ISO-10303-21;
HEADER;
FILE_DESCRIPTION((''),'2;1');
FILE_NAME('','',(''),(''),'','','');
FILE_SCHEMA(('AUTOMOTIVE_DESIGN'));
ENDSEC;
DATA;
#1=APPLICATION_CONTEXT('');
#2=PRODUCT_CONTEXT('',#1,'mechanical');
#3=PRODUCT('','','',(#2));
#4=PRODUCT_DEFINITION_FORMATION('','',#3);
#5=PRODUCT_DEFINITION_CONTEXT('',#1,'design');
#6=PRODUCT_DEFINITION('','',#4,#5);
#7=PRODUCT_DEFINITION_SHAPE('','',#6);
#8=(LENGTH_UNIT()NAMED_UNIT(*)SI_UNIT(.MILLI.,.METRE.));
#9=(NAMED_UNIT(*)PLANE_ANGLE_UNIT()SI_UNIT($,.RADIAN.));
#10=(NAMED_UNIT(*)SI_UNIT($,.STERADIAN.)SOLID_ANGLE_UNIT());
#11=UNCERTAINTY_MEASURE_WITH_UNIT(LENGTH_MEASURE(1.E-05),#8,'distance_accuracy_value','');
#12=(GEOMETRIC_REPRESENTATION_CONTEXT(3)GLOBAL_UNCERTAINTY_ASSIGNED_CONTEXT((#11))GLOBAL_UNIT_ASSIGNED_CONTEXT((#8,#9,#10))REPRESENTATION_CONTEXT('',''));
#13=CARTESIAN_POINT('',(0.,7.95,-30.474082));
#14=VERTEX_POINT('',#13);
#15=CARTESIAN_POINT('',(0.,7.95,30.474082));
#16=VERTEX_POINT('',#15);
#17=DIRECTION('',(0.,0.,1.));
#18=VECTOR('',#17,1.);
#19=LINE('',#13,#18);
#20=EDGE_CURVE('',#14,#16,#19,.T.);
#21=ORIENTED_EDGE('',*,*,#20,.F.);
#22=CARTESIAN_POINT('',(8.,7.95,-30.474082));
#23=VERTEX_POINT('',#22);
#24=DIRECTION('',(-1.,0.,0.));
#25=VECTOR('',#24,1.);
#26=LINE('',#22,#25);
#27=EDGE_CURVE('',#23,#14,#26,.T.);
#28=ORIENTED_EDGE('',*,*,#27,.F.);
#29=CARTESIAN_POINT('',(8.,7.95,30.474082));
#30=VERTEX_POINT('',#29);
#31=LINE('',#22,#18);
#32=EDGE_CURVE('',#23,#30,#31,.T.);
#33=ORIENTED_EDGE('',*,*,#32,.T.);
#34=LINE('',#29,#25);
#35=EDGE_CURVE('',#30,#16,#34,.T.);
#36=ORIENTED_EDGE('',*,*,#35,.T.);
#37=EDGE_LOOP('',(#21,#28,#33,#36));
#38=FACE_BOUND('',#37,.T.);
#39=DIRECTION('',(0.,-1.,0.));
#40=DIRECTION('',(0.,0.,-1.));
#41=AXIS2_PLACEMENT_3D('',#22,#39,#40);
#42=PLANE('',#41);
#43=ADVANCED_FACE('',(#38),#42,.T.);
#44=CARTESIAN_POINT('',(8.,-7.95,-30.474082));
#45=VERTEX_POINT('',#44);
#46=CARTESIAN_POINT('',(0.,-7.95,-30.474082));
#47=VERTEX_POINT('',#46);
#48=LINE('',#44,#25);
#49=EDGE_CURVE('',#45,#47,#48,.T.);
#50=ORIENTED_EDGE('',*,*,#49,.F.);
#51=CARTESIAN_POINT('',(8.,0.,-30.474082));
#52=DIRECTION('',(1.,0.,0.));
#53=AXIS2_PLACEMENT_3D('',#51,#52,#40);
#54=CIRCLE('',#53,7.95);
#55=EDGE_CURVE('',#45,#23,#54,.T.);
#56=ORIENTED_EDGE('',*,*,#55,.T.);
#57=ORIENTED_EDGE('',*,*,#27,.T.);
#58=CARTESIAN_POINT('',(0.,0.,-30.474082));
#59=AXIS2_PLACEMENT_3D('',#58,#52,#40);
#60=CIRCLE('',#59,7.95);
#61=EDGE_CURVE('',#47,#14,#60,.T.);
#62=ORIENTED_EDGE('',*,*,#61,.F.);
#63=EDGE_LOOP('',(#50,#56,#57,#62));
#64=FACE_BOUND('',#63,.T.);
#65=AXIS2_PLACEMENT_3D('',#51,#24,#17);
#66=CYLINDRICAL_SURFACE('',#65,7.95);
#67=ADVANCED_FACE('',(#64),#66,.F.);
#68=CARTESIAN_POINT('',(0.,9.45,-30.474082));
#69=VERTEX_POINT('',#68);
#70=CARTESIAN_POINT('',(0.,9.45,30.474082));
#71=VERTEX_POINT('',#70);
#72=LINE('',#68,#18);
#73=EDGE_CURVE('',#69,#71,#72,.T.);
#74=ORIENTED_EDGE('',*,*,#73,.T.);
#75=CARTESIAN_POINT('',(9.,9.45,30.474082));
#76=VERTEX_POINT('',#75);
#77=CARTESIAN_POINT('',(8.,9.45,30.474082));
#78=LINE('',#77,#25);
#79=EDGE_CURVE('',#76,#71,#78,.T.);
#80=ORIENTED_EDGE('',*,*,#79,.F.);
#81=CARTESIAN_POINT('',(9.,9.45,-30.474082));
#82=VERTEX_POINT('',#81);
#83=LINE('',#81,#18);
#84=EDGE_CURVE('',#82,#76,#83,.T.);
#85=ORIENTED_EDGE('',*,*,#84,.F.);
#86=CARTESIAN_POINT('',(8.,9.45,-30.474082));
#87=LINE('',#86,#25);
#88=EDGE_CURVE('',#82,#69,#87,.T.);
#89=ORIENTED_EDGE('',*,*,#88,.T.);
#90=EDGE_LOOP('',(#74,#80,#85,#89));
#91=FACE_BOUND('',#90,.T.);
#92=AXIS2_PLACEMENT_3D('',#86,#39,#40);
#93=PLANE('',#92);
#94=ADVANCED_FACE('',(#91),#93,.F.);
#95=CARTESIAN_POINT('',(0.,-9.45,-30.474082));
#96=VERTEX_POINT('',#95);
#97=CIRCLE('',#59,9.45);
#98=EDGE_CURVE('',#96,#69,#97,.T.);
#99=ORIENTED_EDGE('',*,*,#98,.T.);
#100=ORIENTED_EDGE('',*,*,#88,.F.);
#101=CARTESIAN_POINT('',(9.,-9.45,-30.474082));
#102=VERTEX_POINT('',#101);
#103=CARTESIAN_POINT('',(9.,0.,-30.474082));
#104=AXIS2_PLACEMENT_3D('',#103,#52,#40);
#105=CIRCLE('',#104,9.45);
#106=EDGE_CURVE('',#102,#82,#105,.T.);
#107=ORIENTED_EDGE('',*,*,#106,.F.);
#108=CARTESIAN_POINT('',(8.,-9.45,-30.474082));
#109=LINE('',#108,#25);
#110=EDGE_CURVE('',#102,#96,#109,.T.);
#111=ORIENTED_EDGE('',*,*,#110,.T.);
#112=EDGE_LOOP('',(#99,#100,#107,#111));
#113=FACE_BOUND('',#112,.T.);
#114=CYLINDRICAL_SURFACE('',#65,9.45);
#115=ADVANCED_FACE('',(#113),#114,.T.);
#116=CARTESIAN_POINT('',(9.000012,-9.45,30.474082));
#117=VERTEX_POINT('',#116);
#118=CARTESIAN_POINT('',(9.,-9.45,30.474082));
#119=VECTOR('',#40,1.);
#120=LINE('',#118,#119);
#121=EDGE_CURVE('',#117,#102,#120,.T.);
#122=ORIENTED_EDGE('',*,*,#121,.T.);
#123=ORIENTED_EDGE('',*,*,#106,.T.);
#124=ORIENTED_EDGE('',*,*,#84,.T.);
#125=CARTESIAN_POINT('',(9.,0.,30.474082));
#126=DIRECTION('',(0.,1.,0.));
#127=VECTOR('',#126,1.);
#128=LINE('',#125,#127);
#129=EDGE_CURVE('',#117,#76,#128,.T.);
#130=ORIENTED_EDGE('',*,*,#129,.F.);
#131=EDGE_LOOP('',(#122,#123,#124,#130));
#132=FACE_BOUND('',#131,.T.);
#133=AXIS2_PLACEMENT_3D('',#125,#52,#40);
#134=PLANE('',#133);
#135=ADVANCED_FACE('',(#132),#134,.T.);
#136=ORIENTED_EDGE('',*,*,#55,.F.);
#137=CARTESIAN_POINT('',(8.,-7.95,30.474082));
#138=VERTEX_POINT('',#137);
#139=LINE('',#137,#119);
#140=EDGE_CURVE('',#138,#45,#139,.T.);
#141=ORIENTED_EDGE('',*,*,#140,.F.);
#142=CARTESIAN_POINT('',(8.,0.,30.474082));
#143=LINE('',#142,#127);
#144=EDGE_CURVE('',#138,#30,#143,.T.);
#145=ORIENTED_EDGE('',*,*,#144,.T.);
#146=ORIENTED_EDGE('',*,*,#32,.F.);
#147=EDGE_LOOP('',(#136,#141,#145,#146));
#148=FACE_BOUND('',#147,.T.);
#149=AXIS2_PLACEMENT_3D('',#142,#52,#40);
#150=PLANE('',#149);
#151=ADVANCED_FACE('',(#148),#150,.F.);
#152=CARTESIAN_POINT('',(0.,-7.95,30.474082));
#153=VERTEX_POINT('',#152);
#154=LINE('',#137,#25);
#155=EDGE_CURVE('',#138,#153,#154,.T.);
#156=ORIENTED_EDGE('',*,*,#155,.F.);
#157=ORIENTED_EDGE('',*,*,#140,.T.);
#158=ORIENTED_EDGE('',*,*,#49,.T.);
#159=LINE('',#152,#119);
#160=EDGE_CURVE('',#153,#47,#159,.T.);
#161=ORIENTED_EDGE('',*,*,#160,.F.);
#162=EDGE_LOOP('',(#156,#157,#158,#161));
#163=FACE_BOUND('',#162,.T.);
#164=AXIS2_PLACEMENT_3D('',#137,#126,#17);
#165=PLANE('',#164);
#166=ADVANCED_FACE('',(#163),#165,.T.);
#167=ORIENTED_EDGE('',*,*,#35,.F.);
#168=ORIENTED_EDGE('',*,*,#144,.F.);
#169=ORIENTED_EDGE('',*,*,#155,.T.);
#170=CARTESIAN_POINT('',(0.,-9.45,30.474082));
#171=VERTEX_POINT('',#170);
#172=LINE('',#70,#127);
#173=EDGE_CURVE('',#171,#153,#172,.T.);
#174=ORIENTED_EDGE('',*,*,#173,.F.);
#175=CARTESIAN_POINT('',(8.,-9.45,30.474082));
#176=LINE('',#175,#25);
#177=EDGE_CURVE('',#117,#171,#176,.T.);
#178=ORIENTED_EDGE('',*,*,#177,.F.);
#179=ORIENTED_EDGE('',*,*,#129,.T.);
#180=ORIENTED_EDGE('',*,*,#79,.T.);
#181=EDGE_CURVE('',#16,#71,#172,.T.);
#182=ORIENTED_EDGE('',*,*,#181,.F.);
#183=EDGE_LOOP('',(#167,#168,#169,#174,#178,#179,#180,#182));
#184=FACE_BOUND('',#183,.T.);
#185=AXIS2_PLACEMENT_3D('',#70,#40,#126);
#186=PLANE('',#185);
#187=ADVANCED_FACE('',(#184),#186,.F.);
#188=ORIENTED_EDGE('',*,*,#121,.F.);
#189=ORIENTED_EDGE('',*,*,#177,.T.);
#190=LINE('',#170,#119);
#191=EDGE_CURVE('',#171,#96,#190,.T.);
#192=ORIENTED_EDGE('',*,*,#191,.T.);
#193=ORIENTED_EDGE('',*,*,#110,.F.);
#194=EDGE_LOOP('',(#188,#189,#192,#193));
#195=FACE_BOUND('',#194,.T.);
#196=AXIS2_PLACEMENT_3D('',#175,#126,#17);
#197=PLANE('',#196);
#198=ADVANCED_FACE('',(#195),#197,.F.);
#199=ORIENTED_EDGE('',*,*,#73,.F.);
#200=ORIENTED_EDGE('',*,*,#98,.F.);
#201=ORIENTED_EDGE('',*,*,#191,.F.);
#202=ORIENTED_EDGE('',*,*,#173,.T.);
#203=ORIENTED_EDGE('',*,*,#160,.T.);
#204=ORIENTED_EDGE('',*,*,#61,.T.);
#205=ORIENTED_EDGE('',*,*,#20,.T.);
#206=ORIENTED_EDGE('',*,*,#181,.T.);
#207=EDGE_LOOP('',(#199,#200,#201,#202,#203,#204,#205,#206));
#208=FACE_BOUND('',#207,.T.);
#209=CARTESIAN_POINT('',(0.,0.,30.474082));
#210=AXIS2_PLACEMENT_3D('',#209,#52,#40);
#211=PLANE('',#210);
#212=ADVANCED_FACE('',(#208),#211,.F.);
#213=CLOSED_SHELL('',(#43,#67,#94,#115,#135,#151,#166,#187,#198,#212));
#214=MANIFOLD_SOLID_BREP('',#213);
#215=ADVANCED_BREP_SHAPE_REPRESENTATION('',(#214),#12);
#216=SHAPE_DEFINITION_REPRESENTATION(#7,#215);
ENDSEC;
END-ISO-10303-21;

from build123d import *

# Parameters (mm, degrees)
EXTRUDE_1_DEPTH          = 8
EXTRUDE_2_DEPTH          = 1
CUT_EXTRUDE_1_DEPTH      = 43.00279577
CUT_EXTRUDE_1_DEPTH_BACK = 43.00279577


with BuildPart() as part:
    # Эскиз1 → Бобышка-Вытянуть1 (new body)
    with BuildSketch(Plane(origin=(0, 0, 0), x_dir=(0, 0, -1), z_dir=(1, 0, 0))):
        with BuildLine():
            Line((-30.474082362, -9.45), (30.474082362, -9.45))
            ThreePointArc((30.474082362, -9.45), (39.924082362, 0), (30.474082362, 9.45))
            Line((30.474082362, 9.45), (-30.474082362, 9.45))
            ThreePointArc((-30.474082362, 9.45), (-39.924082362, 0), (-30.474082362, -9.45))
        make_face()
        with BuildLine():
            Line((-30.474082362, -7.95), (30.474082362, -7.95))
            ThreePointArc((30.474082362, -7.95), (38.424082362, 0), (30.474082362, 7.95))
            Line((30.474082362, 7.95), (-30.474082362, 7.95))
            ThreePointArc((-30.474082362, 7.95), (-38.424082362, 0), (-30.474082362, -7.95))
        make_face(mode=Mode.SUBTRACT)
    extrude(amount=EXTRUDE_1_DEPTH)

    # Эскиз2 → Бобышка-Вытянуть2 (add)
    with BuildSketch(Plane(origin=(8, 0, 0), x_dir=(0, 0, -1), z_dir=(1, 0, 0))):
        with BuildLine():
            Line((-30.474082362, -9.45), (30.474082362, -9.45))
            ThreePointArc((30.474082362, -9.45), (39.924082362, 0), (30.474082362, 9.45))
            Line((30.474082362, 9.45), (-30.474082362, 9.45))
            ThreePointArc((-30.474082362, 9.45), (-39.924082362, 0), (-30.474082362, -9.45))
        make_face()
    extrude(amount=EXTRUDE_2_DEPTH)

    # Эскиз3 → Вырез-Вытянуть1 (cut, two sides: drawn at the far end of the back side and taken through both)
    with BuildSketch(Plane(origin=(9, 0, 0), x_dir=(0, 0, -1), z_dir=(1, 0, 0)).offset(-CUT_EXTRUDE_1_DEPTH_BACK)):
        Polygon((-30.474082362, 9.45), (-30.474082362, -9.45), (-59.348186325, -9.45), (-44.911134344, 15.375653675), align=None)
    extrude(amount=CUT_EXTRUDE_1_DEPTH + CUT_EXTRUDE_1_DEPTH_BACK, mode=Mode.SUBTRACT)


solid = part.part
